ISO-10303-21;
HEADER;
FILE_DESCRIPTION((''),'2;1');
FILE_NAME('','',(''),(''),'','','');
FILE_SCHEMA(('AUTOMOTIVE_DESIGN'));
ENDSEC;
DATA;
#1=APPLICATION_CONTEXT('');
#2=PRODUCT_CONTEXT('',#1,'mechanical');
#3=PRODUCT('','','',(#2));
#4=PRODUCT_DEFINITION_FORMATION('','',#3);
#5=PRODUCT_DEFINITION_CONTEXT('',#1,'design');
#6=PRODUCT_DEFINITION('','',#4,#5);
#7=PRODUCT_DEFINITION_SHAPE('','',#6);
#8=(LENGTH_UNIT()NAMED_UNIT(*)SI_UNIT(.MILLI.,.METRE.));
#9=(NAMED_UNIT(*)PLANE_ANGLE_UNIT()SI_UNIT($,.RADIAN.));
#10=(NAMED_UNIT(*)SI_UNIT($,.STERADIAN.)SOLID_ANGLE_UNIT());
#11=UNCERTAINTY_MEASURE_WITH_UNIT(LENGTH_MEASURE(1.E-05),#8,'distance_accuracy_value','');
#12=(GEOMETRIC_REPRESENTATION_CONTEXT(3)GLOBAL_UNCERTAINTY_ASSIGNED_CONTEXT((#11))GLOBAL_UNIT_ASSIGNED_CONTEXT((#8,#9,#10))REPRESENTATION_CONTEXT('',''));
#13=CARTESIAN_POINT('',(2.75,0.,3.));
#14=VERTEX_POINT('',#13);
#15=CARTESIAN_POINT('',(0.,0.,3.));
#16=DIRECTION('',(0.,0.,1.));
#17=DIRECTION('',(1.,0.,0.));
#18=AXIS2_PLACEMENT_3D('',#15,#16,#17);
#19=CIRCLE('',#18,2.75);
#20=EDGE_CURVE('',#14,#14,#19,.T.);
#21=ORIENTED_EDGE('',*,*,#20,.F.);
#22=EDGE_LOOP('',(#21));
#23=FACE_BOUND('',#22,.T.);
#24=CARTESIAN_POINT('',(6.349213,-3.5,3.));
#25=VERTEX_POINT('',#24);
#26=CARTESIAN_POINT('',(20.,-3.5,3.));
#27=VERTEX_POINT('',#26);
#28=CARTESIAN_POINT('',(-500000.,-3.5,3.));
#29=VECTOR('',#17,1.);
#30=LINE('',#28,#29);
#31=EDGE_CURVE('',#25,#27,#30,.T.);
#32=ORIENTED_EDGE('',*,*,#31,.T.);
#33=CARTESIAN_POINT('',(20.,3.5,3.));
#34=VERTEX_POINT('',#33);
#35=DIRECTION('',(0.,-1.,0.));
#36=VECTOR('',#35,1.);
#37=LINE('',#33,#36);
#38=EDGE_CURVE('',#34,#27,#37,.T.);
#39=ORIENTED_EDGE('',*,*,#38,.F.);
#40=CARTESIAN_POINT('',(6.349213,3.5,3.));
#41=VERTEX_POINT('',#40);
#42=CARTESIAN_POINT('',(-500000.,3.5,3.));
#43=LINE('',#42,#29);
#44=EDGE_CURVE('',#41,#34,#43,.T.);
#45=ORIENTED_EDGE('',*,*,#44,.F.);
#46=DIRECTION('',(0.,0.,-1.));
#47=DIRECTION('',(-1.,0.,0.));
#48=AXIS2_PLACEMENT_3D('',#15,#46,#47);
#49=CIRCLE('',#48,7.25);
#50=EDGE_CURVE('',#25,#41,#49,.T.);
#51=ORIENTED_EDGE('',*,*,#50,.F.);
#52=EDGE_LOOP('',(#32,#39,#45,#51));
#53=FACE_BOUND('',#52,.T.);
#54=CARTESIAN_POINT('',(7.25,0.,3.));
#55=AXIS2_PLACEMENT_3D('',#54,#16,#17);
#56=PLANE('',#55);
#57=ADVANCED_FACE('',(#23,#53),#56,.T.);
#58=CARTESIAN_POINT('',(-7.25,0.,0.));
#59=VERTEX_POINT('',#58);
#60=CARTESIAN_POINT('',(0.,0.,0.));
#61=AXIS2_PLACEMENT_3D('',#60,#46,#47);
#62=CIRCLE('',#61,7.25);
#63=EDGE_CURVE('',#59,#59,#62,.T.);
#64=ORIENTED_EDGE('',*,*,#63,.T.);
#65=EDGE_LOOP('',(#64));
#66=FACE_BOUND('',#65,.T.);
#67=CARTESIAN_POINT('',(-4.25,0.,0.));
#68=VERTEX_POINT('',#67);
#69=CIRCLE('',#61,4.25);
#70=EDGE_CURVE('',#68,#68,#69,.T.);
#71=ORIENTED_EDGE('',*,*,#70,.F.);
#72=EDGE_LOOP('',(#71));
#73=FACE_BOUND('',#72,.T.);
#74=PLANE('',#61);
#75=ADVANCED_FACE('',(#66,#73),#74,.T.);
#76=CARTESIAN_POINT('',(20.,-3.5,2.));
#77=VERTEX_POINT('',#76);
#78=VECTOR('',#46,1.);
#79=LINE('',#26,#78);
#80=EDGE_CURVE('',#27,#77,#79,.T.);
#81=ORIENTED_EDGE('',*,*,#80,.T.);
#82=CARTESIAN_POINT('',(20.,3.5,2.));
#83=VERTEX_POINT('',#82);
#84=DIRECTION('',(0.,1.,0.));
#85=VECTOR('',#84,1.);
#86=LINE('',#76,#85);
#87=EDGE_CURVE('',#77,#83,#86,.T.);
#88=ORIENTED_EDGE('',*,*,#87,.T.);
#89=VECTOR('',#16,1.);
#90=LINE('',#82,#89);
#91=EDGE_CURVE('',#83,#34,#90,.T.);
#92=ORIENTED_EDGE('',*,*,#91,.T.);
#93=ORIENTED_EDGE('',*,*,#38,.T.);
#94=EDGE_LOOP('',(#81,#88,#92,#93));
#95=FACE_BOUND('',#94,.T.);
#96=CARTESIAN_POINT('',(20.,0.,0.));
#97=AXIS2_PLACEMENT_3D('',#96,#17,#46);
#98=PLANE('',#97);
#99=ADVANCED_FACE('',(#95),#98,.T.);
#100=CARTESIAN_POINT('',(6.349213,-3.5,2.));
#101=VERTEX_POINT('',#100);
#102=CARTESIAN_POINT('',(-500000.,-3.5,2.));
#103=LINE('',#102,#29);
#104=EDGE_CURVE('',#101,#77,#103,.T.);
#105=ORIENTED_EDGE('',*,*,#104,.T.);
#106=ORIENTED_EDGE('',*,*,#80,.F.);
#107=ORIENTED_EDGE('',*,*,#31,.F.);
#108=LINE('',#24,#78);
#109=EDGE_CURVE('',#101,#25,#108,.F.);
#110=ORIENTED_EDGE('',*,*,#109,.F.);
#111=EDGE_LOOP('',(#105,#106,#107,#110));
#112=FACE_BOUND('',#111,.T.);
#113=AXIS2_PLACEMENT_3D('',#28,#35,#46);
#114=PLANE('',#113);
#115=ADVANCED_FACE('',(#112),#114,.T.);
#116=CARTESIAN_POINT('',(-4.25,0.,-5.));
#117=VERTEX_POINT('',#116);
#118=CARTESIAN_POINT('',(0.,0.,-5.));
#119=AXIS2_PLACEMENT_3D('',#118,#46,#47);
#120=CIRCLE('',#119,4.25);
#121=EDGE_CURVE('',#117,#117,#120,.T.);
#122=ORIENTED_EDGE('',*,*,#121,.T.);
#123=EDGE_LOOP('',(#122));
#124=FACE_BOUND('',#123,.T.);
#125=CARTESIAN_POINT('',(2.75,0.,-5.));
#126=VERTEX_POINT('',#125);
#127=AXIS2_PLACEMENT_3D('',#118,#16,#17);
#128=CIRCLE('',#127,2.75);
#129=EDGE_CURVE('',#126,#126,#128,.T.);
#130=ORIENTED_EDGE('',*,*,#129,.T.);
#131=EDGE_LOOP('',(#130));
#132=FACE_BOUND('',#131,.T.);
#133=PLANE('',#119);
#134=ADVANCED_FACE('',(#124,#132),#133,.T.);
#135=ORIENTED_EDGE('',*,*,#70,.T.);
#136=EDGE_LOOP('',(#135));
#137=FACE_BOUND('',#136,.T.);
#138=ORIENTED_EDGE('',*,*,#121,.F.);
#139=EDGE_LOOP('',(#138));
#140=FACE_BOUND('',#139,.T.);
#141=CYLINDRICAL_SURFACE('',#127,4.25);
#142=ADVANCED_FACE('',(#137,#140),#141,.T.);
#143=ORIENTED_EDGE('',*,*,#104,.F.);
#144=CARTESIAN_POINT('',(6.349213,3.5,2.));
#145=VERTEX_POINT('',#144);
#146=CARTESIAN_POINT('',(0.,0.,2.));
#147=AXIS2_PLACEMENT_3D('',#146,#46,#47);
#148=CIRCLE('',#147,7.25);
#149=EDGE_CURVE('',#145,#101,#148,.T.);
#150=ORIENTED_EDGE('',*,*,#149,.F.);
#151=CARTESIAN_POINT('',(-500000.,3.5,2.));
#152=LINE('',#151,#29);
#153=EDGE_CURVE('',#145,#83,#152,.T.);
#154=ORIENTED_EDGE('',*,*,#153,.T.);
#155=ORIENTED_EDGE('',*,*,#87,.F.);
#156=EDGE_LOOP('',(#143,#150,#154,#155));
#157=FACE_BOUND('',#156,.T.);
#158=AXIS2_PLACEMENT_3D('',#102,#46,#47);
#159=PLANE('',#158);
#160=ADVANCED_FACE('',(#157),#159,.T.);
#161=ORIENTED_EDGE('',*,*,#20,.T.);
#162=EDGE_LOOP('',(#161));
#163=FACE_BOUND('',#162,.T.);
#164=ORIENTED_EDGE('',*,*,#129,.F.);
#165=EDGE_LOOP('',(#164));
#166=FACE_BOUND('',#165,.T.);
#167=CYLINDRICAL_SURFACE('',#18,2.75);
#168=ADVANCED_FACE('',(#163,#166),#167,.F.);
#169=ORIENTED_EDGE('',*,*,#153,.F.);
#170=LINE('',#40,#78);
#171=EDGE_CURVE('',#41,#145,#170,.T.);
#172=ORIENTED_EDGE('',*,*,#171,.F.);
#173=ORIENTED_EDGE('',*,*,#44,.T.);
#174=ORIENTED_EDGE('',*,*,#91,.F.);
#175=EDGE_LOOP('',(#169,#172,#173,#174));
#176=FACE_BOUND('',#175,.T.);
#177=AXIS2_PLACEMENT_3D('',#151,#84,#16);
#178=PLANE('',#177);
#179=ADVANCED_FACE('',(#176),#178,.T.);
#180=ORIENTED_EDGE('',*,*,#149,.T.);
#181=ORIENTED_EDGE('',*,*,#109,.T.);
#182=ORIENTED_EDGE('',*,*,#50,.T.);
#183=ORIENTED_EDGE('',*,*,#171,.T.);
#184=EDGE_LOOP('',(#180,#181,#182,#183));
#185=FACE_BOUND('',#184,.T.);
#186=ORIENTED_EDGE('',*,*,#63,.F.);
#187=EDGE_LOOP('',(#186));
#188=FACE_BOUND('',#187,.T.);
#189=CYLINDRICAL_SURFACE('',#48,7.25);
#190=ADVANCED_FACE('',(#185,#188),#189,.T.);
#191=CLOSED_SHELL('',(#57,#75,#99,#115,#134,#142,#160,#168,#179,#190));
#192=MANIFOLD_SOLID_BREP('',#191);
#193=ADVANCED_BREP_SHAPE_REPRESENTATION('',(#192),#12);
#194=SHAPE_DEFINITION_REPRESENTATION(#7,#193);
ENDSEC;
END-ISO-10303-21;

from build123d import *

# Parameters (mm, degrees)
SKETCH_1_W              = 7.25
SKETCH_1_H              = 3
EXTRUDE_1_REACH         = 30.357
EXTRUDE_1_END_RADIUS    = 7.25
SKETCH_2_W              = 1
SKETCH_2_H              = 7
SKETCH_3_R              = 4.25
EXTRUDE_2_DEPTH         = 5
HOLE_WIZARD_5_5_5_5_1_D = 5.5


with BuildPart() as part:
    # Эскиз1 → Повернуть1 (revolve)
    with BuildSketch(Plane.XZ, mode=Mode.PRIVATE) as revolve_1_sk:
        with Locations((3.625, 1.5)):
            Rectangle(SKETCH_1_W, SKETCH_1_H)
    revolve(revolve_1_sk.sketch.rotate(Axis((0, 0, 3), (0, 0, -1)), 180), axis=Axis((0, 0, 3), (0, 0, -1)))

    # Бобышка-Вытянуть1: up to this cylinder (the profile starts outside it)
    extrude_1_end = Plane(origin=(0, 0, 2.5), z_dir=(0, 0, -1)) * Cylinder(EXTRUDE_1_END_RADIUS, 76.214, mode=Mode.PRIVATE)
    # Эскиз2 → Бобышка-Вытянуть1 (add, up to the surface)
    with BuildSketch(Plane(origin=(20, 0, 0), x_dir=(0, 0, -1), z_dir=(1, 0, 0)), mode=Mode.PRIVATE) as extrude_1_sk1:
        with Locations((-2.5, 0)):
            Rectangle(SKETCH_2_W, SKETCH_2_H)
    extrude_1_tool1 = extrude(extrude_1_sk1.sketch, amount=-EXTRUDE_1_REACH, mode=Mode.PRIVATE) - extrude_1_end
    add(extrude_1_tool1.solids().sort_by_distance((20, 0, 2.5))[0])

    # Эскиз3 → Бобышка-Вытянуть2 (add)
    with BuildSketch(Plane(origin=(0, 0, 0), x_dir=(-1, 0, 0), z_dir=(0, 0, -1))):
        Circle(SKETCH_3_R)
    extrude(amount=EXTRUDE_2_DEPTH)

    # Диаметр отверстия Ø5.5 (5.5)1 (through all)
    with Locations(Plane.XY.offset(3)):
        with Locations((0, 0)):
            Hole(HOLE_WIZARD_5_5_5_5_1_D / 2)


solid = part.part
